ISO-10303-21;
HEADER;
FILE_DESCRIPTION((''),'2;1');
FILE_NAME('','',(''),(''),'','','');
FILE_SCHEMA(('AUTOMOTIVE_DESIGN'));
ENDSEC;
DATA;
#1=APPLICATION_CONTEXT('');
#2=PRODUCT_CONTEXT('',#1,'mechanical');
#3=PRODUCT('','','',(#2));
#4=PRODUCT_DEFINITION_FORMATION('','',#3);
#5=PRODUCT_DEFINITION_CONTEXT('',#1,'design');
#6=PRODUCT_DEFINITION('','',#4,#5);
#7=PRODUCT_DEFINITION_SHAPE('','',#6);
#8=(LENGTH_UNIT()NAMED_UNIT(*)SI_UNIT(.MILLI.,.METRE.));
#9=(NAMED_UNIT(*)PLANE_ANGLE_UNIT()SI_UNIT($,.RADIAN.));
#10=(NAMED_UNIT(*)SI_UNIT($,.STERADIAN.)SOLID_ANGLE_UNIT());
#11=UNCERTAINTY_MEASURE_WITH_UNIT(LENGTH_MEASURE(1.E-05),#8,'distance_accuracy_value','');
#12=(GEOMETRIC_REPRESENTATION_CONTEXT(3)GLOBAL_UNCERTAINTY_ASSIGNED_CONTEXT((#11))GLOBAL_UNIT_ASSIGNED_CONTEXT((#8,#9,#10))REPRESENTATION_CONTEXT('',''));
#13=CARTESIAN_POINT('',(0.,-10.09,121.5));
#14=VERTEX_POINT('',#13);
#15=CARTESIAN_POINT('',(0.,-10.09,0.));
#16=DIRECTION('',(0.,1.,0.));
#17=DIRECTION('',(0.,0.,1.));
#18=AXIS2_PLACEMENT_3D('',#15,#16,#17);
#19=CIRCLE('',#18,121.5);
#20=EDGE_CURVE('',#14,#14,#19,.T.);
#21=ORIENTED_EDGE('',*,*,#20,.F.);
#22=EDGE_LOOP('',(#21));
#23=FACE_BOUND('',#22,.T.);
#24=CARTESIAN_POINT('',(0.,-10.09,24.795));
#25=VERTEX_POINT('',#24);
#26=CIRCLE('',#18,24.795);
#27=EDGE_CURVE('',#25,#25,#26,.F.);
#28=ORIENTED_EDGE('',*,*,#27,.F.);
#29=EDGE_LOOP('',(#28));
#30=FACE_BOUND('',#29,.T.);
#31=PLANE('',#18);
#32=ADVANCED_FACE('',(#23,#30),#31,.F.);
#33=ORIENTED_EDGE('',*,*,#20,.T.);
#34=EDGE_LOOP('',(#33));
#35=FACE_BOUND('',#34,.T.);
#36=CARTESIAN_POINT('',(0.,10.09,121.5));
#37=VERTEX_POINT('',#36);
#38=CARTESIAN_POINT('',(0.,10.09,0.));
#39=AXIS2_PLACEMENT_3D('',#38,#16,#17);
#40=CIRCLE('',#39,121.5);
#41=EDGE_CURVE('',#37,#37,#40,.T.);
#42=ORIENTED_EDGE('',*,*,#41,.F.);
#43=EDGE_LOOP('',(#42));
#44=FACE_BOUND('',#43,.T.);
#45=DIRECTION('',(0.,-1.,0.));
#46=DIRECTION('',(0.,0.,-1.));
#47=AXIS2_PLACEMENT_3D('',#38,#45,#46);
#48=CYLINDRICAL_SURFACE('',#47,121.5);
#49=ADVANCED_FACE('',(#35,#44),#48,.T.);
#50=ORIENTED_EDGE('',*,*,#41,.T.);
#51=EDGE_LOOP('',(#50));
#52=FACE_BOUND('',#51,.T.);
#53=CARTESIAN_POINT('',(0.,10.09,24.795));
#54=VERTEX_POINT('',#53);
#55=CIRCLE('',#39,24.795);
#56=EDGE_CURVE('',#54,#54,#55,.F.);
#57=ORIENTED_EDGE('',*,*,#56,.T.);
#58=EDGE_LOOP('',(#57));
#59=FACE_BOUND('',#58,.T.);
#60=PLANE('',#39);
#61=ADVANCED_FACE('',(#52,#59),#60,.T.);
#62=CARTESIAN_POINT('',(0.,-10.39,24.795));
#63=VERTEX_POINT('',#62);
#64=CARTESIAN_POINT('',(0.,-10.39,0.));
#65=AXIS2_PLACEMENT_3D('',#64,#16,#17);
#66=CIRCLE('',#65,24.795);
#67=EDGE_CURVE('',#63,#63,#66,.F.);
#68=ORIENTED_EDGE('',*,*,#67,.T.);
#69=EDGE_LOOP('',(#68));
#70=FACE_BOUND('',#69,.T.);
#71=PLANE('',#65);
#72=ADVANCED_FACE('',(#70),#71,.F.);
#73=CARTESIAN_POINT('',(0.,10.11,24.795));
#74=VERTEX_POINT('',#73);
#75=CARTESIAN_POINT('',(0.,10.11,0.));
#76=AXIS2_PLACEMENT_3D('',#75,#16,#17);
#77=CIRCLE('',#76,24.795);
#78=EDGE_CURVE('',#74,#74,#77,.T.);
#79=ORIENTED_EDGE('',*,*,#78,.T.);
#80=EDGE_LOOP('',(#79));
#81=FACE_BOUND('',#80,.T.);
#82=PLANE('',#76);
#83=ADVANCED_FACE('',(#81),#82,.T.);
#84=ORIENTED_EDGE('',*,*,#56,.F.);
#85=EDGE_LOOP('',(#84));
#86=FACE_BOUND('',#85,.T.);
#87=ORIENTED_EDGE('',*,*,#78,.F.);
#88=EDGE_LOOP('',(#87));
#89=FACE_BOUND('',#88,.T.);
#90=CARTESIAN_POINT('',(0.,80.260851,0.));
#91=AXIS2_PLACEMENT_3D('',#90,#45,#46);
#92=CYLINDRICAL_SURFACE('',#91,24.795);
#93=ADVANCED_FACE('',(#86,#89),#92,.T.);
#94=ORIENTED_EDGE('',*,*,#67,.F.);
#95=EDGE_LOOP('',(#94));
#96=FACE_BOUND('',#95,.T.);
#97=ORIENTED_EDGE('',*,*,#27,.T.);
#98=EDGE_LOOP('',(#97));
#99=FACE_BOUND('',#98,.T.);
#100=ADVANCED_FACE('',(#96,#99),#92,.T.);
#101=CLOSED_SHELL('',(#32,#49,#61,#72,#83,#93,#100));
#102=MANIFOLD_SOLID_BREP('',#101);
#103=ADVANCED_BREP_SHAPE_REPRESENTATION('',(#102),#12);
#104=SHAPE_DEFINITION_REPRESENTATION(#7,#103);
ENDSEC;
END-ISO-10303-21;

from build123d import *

# Parameters (mm, degrees)
SKETCH1_R                = 121.5
BOSS_EXTRUDE1_DEPTH      = 10.09
BOSS_EXTRUDE2_DEPTH      = 10.11
BOSS_EXTRUDE2_DEPTH_BACK = 10.39
SKETCH2_R                = 24.795


with BuildPart() as part:
    # Sketch1 → Boss-Extrude1 (new, symmetric)
    with BuildSketch(Plane(origin=(0, 0, 0), x_dir=(1, 0, 0), z_dir=(0, 1, 0))):
        with Locations(Location((0, 0, 0), (0, 0, 270))):
            Circle(SKETCH1_R)
    extrude(amount=BOSS_EXTRUDE1_DEPTH, both=True)

    # Sketch2 → Boss-Extrude2 (add, two sides: drawn at the far end of the back side and taken through both)
    with BuildSketch(Plane(origin=(0, 0, 0), x_dir=(1, 0, 0), z_dir=(0, 1, 0)).offset(-BOSS_EXTRUDE2_DEPTH_BACK)):
        with Locations(Location((0, 0, 0), (0, 0, 270))):
            Circle(SKETCH2_R)
    extrude(amount=BOSS_EXTRUDE2_DEPTH + BOSS_EXTRUDE2_DEPTH_BACK)


solid = part.part
